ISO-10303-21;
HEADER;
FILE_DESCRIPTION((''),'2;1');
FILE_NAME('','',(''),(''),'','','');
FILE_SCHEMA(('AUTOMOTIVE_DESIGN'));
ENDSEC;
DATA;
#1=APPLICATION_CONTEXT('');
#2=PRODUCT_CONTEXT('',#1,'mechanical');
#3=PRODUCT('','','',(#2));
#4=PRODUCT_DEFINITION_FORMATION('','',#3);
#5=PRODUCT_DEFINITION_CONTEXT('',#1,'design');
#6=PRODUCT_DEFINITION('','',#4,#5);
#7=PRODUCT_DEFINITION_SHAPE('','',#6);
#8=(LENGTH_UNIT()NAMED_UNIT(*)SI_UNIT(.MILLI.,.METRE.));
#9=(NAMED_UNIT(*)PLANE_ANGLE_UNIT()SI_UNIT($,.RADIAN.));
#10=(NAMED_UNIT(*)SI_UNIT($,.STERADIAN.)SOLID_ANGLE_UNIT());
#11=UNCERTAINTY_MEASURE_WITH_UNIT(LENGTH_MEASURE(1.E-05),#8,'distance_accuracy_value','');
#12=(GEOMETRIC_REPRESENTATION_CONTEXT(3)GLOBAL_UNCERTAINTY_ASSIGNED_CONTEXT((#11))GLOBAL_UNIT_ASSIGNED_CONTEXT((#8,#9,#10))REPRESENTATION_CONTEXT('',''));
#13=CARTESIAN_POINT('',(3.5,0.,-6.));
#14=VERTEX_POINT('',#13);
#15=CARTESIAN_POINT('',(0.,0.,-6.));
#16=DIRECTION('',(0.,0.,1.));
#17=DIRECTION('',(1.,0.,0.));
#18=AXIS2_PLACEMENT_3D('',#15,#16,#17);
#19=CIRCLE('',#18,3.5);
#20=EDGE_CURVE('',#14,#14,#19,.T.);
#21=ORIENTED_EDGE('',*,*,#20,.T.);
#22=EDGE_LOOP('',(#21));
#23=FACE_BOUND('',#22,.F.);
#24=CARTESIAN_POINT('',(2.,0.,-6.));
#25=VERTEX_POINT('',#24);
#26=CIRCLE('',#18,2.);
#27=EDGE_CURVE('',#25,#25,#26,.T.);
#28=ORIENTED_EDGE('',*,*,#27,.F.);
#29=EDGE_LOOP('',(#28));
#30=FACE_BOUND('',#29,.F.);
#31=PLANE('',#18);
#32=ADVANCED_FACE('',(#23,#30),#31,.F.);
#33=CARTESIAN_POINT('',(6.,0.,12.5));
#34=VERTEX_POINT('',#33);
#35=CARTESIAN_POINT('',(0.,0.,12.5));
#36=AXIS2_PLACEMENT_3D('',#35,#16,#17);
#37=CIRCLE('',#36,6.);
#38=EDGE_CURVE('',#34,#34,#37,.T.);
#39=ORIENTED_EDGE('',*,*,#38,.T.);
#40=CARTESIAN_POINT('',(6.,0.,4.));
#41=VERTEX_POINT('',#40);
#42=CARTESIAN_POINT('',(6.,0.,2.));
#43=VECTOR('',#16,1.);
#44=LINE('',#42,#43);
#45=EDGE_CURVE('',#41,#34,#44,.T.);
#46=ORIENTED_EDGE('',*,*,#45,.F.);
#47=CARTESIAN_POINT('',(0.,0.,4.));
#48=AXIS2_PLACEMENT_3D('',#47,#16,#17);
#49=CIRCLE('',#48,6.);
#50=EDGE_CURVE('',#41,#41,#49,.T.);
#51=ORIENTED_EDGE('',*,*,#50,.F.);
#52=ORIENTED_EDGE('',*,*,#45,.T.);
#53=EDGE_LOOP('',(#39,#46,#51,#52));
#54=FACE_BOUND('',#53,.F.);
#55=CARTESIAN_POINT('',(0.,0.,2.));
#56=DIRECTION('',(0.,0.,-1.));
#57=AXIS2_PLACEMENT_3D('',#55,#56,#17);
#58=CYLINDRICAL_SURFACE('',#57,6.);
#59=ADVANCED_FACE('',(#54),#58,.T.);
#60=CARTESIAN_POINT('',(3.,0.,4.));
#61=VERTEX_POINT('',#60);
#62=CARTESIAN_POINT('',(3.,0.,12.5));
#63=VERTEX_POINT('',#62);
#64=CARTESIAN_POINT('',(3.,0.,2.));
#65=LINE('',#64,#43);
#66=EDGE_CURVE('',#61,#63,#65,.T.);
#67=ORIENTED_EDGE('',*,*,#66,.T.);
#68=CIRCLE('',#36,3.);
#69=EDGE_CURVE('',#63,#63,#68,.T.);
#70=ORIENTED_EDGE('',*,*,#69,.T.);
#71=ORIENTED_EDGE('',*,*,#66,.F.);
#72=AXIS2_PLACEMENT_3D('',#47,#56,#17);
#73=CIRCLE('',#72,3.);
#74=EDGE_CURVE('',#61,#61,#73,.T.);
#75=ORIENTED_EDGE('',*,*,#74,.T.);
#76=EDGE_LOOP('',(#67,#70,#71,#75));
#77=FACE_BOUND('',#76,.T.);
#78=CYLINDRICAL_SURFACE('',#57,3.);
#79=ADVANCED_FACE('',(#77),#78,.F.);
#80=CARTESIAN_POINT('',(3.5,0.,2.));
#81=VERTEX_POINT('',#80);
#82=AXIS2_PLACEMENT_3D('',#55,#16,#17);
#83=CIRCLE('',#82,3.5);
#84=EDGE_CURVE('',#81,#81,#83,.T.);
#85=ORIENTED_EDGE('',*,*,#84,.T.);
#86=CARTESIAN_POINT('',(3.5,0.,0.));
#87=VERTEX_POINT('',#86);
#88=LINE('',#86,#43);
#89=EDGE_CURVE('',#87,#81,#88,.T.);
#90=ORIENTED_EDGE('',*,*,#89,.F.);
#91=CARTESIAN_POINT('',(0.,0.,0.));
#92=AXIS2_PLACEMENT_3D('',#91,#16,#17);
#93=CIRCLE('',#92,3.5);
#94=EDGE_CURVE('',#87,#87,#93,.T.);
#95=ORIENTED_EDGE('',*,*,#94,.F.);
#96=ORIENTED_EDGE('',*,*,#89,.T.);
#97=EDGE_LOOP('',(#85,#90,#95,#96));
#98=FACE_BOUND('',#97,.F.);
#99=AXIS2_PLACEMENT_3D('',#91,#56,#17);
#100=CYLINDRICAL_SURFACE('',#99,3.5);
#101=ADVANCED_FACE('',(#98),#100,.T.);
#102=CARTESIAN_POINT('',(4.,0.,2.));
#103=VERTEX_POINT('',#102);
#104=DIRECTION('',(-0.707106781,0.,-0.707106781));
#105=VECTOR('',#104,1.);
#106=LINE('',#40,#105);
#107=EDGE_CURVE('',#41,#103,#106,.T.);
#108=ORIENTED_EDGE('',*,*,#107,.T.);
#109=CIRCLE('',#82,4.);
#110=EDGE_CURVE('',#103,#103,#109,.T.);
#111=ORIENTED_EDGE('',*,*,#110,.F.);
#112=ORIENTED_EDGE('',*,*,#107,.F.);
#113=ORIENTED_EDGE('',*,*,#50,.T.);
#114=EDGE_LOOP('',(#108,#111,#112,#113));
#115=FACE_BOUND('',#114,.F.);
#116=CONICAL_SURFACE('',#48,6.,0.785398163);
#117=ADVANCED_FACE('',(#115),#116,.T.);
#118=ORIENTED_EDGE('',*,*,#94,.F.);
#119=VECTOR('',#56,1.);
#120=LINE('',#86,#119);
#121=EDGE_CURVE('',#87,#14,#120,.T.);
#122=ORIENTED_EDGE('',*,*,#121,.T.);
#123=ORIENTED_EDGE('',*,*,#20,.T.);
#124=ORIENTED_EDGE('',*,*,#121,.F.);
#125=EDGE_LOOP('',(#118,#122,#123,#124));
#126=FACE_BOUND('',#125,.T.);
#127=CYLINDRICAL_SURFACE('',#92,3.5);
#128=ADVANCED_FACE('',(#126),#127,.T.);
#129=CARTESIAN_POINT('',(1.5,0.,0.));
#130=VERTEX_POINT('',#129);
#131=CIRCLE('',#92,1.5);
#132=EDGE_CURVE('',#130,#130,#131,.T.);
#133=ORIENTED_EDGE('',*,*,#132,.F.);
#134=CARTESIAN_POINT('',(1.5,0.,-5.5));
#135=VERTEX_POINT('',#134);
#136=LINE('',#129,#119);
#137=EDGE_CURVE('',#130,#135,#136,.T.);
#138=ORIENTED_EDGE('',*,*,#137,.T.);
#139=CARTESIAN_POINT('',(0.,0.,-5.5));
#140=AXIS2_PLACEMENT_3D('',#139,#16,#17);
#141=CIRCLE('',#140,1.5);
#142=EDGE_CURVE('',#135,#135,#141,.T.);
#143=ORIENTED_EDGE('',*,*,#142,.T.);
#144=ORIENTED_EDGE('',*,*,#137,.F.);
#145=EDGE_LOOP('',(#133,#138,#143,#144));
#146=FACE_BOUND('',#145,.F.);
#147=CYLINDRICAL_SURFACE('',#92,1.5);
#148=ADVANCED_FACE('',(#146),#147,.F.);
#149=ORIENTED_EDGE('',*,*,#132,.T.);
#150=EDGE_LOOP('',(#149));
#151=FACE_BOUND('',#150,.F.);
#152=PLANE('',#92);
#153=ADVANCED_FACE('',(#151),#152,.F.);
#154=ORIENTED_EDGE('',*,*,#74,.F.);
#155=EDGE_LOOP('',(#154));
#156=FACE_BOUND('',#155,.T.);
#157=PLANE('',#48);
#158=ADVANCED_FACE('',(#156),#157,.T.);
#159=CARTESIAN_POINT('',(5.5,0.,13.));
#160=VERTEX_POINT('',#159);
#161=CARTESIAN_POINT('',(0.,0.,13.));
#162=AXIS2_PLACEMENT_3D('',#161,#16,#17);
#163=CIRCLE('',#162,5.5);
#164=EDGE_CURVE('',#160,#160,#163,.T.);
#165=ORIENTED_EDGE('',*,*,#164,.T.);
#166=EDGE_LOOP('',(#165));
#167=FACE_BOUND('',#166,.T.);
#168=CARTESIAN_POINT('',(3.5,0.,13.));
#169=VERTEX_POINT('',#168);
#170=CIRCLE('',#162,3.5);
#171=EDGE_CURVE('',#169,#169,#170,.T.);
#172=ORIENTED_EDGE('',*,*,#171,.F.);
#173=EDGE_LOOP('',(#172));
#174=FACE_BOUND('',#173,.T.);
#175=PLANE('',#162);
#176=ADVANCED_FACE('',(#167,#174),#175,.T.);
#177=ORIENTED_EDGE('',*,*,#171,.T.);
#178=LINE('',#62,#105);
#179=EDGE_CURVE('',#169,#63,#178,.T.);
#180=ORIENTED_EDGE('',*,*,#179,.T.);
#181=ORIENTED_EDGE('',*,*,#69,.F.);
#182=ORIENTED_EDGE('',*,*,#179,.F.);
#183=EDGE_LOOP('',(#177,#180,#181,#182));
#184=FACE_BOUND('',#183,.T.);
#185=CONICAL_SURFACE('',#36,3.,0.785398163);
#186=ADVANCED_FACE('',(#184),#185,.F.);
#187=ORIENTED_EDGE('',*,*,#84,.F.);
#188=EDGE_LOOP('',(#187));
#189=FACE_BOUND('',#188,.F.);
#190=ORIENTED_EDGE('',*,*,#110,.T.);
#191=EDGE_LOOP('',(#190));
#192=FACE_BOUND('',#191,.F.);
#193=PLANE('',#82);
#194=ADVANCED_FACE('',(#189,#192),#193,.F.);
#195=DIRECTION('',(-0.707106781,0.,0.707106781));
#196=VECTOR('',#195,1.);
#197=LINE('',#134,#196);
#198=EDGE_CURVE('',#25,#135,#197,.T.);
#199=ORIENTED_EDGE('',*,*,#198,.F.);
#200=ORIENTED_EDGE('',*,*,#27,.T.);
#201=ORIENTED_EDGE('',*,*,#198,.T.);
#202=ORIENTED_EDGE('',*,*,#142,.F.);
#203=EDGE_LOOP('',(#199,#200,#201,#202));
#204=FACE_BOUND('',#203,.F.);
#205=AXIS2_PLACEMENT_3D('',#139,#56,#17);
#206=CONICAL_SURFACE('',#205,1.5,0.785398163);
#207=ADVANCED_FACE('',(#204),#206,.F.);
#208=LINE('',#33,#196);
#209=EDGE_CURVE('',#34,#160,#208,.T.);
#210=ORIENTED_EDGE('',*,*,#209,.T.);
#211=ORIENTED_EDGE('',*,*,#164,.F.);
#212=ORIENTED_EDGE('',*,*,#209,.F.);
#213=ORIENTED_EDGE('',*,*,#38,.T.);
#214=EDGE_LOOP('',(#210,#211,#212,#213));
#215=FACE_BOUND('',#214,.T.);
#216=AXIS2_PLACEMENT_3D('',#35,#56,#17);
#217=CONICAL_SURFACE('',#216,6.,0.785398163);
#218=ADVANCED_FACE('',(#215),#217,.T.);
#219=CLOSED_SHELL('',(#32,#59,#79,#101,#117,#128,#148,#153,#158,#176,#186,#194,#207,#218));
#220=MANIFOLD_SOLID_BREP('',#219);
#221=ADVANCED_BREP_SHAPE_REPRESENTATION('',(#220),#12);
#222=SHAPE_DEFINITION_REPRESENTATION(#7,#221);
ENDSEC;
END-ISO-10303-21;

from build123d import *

# Parameters (mm, degrees)
F0_R     = 3.5
F0_R_2   = 1.5
F1_DEPTH = 6
F2_R     = 3.5
F2_R_2   = 1.5
F3_DEPTH = 2
F4_R     = 3.5
F4_R_2   = 3
F5_DEPTH = 2
F4_R_3   = 6
F6_DEPTH = 11
F7_SIZE  = 0.5
F8_SIZE  = 2


with BuildPart() as f1:
    # F0 (on Top) → F1 (new body)
    with BuildSketch(Plane.XY):
        Circle(F0_R)
        Circle(F0_R_2, mode=Mode.SUBTRACT)
    extrude(amount=-F1_DEPTH)

    # F2 (on face) → F3 (join)
    with BuildSketch(Plane.XY):
        Circle(F2_R)
        Circle(F2_R_2, mode=Mode.SUBTRACT)
        Circle(F2_R_2)
    extrude(amount=F3_DEPTH)

    # F4 (on face) → F5 (join)
    with BuildSketch(Plane.XY.offset(2)):
        Circle(F4_R)
        Circle(F4_R_2, mode=Mode.SUBTRACT)
        Circle(F4_R_2)
    extrude(amount=F5_DEPTH)

    # F4 (on face) → F6 (join)
    with BuildSketch(Plane.XY.offset(2)):
        Circle(F4_R_3)
        Circle(F4_R_2, mode=Mode.SUBTRACT)
    extrude(amount=F6_DEPTH)

    # F7
    f7_edges = [f1.edges().sort_by_distance(p)[0] for p in [
        (-3, 0, 13),
        (-6, 0, 13),
        (-1.5, 0, -6),
    ]]
    chamfer(f7_edges, length=F7_SIZE)

    # F8
    f8_edges = [f1.edges().sort_by_distance(p)[0] for p in [
        (-6, 0, 2),
    ]]
    chamfer(f8_edges, length=F8_SIZE)


solid = f1.part
